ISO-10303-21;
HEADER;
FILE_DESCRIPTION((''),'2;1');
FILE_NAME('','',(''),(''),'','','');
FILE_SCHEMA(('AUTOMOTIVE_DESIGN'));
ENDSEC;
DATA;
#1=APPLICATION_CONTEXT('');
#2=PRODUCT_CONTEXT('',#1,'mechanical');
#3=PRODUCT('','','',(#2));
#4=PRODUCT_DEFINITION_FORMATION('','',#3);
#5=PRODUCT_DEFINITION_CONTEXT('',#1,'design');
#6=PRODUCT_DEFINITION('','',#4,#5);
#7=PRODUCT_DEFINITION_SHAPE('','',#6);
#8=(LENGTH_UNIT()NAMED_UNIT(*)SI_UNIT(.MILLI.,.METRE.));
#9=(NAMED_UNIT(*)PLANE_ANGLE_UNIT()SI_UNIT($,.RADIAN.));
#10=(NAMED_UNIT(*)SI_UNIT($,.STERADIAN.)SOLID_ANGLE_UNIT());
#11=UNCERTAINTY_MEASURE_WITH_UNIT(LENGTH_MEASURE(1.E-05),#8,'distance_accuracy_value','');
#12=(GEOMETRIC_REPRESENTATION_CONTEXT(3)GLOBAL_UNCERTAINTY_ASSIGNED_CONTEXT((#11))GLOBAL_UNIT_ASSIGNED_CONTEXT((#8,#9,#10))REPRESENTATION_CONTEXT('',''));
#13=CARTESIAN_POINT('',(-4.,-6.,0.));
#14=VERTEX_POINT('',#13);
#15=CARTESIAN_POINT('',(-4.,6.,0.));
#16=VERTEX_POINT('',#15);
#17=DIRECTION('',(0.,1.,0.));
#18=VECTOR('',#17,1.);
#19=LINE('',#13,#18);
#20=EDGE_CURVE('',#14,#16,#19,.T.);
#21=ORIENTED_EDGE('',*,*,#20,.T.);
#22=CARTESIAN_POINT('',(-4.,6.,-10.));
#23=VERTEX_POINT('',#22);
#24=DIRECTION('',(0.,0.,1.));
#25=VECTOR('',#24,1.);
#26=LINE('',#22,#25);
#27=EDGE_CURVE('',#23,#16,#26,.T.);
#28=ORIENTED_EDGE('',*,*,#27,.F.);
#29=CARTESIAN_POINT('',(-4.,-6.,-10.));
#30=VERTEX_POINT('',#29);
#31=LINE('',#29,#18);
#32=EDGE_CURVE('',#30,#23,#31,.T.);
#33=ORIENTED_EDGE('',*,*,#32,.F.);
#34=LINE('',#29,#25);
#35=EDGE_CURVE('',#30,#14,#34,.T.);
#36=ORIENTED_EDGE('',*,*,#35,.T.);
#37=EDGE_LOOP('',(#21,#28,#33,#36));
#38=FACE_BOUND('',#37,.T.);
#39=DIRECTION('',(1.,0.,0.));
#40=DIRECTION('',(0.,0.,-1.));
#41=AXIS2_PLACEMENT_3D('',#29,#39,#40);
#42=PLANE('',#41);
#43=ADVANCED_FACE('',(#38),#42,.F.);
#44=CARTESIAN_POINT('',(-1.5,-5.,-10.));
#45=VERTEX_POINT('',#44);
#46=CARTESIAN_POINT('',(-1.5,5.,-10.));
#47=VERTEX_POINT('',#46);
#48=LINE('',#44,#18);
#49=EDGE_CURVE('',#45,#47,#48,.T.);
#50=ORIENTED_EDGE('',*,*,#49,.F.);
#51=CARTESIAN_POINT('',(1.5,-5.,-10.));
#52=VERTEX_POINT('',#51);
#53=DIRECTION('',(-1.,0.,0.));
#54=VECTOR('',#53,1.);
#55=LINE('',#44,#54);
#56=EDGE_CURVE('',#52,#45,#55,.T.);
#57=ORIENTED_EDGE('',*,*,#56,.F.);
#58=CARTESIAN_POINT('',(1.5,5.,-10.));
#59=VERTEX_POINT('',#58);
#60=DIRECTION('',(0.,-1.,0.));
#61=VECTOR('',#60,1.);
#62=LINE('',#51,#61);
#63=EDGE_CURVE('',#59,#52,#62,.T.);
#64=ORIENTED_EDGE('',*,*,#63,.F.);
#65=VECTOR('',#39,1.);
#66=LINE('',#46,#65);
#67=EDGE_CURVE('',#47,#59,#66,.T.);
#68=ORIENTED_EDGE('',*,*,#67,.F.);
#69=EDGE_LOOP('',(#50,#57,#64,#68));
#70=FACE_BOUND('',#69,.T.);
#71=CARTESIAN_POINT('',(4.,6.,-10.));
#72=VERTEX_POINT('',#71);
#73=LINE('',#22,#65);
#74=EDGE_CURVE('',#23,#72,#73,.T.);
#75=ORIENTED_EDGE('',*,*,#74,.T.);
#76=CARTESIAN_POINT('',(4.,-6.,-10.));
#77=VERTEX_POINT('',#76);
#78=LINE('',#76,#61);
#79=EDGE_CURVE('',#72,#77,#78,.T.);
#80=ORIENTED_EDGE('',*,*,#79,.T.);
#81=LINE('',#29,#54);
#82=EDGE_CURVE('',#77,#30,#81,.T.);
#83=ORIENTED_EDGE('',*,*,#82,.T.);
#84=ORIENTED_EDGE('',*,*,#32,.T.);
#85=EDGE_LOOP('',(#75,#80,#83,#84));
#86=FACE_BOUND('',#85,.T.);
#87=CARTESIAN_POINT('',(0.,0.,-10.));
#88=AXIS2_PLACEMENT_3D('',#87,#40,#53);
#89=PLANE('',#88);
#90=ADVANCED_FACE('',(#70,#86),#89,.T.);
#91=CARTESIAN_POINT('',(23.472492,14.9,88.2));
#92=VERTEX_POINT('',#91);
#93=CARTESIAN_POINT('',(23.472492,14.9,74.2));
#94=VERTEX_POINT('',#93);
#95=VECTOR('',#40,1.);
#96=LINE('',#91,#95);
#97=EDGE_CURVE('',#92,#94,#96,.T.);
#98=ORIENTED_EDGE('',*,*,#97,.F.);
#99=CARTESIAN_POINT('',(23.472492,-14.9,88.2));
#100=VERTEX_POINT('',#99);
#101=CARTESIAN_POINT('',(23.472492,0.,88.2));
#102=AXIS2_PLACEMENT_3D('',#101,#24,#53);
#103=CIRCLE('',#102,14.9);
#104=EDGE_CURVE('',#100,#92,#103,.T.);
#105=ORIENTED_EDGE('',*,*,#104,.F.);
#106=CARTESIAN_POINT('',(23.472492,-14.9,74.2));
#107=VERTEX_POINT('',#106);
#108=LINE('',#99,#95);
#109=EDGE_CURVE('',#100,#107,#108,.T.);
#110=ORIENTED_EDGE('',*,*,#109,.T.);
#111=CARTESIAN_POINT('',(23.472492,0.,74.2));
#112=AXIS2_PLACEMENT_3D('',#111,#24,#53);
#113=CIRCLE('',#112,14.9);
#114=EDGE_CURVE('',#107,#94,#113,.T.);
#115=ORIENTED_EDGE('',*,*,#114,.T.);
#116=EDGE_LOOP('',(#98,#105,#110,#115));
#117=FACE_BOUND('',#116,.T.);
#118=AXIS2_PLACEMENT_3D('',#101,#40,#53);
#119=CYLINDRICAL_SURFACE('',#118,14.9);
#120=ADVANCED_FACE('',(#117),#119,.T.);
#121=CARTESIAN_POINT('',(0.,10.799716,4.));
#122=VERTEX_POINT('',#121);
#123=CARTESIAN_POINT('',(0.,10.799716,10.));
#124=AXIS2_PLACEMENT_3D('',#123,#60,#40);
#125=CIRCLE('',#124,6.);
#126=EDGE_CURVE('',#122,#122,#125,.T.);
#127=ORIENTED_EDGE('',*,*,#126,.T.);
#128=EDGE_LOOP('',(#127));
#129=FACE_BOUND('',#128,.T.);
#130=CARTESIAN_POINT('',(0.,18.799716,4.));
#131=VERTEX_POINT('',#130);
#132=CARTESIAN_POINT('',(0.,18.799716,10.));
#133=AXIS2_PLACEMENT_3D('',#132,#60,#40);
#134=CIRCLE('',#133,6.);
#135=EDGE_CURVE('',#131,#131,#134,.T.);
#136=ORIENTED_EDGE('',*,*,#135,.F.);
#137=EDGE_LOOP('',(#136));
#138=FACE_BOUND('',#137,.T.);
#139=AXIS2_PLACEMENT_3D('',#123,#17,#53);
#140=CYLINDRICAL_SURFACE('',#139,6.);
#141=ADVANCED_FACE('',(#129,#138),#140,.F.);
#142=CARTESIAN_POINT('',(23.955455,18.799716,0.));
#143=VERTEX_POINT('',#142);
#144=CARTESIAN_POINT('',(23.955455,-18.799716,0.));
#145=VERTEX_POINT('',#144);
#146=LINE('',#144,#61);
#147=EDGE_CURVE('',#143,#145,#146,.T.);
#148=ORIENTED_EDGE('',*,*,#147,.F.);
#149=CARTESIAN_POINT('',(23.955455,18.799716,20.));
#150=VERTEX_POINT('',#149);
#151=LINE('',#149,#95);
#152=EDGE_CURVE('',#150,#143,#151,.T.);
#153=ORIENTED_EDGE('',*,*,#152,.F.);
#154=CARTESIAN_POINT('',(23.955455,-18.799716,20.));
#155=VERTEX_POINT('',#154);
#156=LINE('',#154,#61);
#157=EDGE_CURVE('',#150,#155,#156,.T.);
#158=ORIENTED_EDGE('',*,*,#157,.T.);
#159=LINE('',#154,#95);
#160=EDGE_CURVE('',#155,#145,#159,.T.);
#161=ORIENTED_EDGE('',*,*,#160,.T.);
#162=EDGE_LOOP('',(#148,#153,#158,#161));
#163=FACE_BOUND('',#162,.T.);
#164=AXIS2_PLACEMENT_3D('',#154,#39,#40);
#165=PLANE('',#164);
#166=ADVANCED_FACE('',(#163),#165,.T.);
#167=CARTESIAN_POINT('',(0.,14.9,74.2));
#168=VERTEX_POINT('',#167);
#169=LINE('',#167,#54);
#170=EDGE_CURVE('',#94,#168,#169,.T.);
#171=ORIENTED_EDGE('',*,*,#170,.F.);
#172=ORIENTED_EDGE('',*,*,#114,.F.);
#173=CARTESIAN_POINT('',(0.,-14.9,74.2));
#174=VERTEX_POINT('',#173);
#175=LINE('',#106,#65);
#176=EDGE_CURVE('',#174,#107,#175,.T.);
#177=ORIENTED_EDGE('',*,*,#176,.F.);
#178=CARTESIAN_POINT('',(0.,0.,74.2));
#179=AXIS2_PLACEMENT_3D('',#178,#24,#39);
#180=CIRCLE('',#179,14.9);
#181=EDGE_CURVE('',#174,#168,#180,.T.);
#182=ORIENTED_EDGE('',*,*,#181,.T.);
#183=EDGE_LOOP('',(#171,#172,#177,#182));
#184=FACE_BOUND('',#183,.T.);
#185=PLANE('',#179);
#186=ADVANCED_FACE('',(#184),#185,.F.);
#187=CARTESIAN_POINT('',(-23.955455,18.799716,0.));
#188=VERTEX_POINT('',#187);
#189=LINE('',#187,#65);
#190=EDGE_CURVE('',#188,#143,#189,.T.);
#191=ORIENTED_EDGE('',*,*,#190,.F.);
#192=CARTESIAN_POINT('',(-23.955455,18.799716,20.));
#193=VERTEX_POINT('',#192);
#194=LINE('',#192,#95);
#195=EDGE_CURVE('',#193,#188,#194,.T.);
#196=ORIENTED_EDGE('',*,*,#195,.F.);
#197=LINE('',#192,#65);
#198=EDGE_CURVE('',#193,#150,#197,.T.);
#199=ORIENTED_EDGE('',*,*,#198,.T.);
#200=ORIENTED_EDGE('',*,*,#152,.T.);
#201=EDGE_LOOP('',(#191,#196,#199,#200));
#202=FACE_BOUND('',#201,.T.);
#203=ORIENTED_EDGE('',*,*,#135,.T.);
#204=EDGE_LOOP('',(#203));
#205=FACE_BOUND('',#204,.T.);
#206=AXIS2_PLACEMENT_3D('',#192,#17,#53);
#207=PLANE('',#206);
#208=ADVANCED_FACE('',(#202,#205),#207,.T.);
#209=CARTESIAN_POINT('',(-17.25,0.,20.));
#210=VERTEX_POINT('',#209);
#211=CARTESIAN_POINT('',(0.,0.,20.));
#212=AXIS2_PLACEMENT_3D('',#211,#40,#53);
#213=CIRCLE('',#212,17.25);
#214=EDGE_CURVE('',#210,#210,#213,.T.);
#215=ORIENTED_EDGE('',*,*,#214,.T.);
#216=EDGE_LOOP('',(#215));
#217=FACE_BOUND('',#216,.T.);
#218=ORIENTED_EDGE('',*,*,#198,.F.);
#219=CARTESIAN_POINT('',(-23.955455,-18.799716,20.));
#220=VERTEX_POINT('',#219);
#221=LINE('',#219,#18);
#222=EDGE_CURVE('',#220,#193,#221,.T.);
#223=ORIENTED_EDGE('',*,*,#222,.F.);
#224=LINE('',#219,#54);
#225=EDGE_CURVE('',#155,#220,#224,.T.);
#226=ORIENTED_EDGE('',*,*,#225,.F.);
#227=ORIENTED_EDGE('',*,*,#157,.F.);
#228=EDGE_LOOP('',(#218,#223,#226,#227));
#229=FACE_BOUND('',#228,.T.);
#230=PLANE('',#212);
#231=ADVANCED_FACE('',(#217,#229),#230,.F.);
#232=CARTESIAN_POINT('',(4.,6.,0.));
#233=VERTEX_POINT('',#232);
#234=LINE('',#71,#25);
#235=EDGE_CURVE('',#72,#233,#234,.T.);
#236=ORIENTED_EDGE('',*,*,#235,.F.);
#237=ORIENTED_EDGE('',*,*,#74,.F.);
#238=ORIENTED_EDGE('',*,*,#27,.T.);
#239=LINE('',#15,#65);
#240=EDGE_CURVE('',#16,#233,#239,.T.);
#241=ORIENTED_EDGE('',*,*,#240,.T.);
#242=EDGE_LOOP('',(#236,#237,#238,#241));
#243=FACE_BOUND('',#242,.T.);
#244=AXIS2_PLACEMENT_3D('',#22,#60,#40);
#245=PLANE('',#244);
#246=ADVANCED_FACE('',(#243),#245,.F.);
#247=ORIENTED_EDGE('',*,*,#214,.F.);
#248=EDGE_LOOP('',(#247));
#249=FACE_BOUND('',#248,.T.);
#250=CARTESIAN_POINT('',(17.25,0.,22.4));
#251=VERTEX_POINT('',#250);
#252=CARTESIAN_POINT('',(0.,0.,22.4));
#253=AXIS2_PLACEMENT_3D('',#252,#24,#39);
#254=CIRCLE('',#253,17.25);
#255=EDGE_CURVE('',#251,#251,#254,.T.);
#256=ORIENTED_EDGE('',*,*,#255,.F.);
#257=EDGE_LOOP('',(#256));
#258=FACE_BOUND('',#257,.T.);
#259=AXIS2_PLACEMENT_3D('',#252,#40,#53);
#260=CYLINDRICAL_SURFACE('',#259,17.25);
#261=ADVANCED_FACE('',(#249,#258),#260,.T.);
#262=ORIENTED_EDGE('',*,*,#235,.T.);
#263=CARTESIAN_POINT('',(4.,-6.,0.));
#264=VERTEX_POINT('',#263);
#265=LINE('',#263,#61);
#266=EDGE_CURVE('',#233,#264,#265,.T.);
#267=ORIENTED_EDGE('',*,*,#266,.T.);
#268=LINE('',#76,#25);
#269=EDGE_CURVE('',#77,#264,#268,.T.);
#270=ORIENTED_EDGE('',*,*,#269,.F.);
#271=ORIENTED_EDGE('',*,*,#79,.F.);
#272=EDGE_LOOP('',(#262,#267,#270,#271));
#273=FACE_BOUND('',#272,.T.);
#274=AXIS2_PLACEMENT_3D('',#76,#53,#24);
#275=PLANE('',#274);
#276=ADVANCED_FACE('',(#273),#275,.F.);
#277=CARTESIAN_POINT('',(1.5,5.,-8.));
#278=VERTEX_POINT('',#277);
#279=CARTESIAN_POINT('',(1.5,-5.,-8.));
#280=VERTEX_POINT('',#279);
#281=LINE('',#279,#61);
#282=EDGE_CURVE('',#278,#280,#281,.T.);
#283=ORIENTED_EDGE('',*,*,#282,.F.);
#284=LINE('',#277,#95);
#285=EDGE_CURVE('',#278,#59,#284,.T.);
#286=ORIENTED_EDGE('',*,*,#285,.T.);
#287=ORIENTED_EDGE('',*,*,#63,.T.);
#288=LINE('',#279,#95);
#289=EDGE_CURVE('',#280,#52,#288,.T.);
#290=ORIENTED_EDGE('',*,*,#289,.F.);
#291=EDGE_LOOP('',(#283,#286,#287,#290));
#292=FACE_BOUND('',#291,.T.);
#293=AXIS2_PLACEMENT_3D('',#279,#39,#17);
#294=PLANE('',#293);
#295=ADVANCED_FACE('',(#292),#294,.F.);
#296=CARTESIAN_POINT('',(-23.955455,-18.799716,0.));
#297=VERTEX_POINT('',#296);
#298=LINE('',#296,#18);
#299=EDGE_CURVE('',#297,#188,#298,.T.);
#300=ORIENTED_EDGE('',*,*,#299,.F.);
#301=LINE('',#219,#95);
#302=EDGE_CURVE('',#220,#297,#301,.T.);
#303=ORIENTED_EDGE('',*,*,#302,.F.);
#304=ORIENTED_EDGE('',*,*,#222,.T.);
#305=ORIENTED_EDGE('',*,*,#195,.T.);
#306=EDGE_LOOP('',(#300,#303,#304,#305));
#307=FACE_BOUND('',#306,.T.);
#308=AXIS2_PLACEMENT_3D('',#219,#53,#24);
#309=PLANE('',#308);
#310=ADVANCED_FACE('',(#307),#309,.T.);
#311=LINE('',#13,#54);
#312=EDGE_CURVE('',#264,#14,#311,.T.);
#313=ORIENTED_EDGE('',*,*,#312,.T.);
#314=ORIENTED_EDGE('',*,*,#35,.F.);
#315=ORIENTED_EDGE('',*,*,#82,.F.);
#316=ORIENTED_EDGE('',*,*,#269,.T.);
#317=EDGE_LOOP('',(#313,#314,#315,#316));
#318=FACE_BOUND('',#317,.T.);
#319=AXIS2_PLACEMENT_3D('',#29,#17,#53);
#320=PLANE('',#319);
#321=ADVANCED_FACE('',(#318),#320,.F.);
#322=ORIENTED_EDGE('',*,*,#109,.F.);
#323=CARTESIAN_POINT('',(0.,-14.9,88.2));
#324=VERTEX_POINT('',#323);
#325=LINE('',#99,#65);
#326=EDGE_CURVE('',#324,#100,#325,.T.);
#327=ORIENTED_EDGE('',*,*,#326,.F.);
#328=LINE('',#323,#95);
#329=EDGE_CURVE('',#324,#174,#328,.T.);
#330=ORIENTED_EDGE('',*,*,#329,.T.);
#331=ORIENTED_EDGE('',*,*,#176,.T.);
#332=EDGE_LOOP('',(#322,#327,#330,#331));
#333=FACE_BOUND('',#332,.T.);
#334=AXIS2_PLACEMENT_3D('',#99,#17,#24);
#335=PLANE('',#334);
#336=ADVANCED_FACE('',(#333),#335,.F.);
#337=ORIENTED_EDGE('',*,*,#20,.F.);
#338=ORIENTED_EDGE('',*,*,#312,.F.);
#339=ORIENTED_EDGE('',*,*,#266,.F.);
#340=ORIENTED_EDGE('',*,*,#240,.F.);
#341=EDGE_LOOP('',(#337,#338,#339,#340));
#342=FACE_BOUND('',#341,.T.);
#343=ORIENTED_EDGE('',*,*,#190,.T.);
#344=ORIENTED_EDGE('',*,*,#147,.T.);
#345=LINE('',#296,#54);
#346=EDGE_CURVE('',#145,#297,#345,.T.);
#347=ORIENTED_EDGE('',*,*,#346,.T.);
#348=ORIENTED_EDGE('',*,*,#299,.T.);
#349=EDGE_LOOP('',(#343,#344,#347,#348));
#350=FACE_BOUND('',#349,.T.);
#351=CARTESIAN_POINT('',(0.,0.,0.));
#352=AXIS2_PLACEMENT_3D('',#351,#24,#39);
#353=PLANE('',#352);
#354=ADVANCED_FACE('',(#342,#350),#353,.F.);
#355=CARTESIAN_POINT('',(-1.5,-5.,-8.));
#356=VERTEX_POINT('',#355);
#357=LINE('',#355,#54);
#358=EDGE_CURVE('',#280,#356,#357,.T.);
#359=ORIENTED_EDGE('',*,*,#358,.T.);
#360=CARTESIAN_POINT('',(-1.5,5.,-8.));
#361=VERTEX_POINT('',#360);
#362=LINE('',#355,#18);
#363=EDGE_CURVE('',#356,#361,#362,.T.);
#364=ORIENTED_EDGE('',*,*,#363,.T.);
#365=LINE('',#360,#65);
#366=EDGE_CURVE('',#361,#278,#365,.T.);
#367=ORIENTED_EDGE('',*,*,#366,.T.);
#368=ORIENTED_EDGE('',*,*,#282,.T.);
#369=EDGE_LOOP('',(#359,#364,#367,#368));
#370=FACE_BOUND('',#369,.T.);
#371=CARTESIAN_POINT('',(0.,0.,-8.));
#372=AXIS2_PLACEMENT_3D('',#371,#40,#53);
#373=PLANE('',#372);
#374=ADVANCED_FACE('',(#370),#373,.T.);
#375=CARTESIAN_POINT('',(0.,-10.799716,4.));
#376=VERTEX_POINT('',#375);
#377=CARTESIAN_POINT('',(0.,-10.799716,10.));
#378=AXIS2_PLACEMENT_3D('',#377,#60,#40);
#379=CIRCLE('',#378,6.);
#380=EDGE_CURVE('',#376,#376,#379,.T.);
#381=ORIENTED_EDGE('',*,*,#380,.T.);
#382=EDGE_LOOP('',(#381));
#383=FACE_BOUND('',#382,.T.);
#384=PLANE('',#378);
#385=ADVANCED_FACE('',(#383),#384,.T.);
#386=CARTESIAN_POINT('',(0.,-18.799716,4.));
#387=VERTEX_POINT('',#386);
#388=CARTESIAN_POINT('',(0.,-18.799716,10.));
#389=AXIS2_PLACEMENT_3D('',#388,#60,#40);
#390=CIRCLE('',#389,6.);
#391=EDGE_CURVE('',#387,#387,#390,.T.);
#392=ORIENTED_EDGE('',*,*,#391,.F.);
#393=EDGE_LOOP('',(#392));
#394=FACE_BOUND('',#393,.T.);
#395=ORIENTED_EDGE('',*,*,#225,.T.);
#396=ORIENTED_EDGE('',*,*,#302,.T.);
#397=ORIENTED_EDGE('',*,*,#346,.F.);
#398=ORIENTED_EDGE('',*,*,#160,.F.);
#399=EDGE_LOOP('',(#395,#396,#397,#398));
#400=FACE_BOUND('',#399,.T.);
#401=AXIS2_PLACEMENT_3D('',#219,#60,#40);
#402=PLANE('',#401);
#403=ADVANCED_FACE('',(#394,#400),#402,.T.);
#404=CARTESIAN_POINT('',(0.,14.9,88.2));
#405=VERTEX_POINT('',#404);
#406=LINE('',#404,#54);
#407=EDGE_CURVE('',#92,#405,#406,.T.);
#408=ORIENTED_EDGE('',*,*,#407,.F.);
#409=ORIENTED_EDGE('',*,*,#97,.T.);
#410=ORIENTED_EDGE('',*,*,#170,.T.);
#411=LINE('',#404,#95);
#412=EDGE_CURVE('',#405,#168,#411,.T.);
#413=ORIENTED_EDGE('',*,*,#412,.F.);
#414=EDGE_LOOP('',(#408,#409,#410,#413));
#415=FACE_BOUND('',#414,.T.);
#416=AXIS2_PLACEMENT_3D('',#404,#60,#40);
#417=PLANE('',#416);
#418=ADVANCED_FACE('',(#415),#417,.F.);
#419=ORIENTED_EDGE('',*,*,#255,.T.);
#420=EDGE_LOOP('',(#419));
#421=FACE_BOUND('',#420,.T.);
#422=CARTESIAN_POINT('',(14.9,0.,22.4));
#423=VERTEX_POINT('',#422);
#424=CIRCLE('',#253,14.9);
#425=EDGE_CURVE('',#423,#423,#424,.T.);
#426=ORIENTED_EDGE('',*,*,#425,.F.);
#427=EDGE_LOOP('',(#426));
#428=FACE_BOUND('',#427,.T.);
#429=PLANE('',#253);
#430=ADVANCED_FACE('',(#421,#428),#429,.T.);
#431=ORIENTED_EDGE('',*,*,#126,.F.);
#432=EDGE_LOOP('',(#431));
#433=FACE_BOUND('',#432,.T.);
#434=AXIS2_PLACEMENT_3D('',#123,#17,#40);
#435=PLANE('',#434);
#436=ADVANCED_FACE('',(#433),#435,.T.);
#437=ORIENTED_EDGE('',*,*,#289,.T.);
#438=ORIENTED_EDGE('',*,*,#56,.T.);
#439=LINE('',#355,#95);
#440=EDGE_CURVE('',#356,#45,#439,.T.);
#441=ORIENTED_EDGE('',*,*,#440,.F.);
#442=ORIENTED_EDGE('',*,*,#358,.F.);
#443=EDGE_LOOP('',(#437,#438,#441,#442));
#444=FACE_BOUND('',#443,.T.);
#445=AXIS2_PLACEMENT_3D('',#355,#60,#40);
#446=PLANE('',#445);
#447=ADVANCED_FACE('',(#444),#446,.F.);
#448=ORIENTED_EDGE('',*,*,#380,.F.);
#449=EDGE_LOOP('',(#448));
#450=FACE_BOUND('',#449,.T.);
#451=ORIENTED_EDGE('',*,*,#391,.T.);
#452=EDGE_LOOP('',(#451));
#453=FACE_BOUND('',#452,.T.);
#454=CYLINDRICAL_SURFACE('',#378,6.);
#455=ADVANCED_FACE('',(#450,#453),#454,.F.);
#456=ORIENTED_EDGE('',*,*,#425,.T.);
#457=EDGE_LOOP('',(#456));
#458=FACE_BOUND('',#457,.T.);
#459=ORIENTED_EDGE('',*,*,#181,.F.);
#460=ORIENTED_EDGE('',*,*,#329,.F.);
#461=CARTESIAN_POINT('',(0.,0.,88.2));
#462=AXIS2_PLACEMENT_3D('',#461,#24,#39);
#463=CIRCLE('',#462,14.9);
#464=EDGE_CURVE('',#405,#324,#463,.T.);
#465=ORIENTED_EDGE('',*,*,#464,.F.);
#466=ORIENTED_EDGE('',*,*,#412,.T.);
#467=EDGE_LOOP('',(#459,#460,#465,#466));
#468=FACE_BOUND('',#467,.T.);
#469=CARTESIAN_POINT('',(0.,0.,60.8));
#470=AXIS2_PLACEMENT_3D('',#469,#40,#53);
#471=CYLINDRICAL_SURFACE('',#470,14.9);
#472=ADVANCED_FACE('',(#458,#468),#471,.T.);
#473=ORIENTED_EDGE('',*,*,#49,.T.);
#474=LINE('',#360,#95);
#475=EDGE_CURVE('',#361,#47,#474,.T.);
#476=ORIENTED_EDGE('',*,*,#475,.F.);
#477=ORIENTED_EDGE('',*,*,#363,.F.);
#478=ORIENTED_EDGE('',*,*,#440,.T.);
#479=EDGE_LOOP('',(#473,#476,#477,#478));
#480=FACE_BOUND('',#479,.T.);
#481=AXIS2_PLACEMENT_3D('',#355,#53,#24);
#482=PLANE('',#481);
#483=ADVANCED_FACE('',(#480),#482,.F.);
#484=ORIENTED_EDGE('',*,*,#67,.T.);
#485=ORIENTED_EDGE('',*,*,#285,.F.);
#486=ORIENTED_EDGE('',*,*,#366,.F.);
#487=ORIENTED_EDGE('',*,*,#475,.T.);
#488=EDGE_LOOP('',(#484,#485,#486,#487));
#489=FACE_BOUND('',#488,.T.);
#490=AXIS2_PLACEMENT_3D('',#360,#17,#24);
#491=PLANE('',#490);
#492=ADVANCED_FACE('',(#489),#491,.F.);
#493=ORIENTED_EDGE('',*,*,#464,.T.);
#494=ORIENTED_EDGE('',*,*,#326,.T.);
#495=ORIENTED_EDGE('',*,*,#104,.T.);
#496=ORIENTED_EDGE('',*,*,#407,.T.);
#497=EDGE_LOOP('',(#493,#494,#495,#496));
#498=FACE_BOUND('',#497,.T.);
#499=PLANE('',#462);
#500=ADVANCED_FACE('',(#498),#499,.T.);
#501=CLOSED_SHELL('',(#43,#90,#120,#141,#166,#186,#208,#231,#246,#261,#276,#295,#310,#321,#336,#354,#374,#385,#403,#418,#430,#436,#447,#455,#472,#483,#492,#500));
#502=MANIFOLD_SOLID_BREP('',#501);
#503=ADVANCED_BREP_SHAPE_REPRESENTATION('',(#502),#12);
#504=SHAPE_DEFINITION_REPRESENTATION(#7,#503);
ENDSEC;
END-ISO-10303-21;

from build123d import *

# Parameters (mm, degrees)
SKETCH2_R           = 17.25
BOSS_EXTRUDE1_DEPTH = 22.4
SKETCH3_R           = 14.9
BOSS_EXTRUDE2_DEPTH = 38.4
SKETCH4_R           = 14.9
BOSS_EXTRUDE3_DEPTH = 13.4
BOSS_EXTRUDE4_DEPTH = 14
SKETCH7_W           = 8
SKETCH7_H           = 12
BOSS_EXTRUDE5_DEPTH = 10
SKETCH9_W           = 3
SKETCH9_H           = 10
CUT_EXTRUDE1_DEPTH  = 2
SKETCH10_W          = 47.910910278
SKETCH10_H          = 37.599432614
BOSS_EXTRUDE6_DEPTH = 20
SKETCH12_R          = 6
CUT_EXTRUDE2_DEPTH  = 8


with BuildPart() as part:
    # Sketch2 → Boss-Extrude1 (new body)
    with BuildSketch(Plane.XY):
        Circle(SKETCH2_R)
    extrude(amount=BOSS_EXTRUDE1_DEPTH)

    # Sketch3 → Boss-Extrude2 (add)
    with BuildSketch(Plane.XY.offset(22.4)):
        Circle(SKETCH3_R)
    extrude(amount=BOSS_EXTRUDE2_DEPTH)

    # Sketch4 → Boss-Extrude3 (add)
    with BuildSketch(Plane.XY.offset(60.8)):
        Circle(SKETCH4_R)
    extrude(amount=BOSS_EXTRUDE3_DEPTH)

    # Sketch6 → Boss-Extrude4 (add)
    with BuildSketch(Plane.XY.offset(74.2)):
        with BuildLine():
            Line((0, 14.9), (23.472492354, 14.9))
            ThreePointArc((23.472492354, 14.9), (38.372492354, 0), (23.472492354, -14.9))
            Line((23.472492354, -14.9), (0, -14.9))
            ThreePointArc((0, -14.9), (-14.9, 0), (0, 14.9))
        make_face()
    extrude(amount=BOSS_EXTRUDE4_DEPTH)

    # Sketch7 → Boss-Extrude5 (add)
    with BuildSketch(Plane(origin=(0, 0, 0), x_dir=(-1, 0, 0), z_dir=(0, 0, -1))):
        Rectangle(SKETCH7_W, SKETCH7_H)
    extrude(amount=BOSS_EXTRUDE5_DEPTH)

    # Sketch9 → Cut-Extrude1 (cut)
    with BuildSketch(Plane(origin=(0, 0, -10), x_dir=(-1, 0, 0), z_dir=(0, 0, -1))):
        Rectangle(SKETCH9_W, SKETCH9_H)
    extrude(amount=-CUT_EXTRUDE1_DEPTH, mode=Mode.SUBTRACT)

    # Sketch10 → Boss-Extrude6 (add)
    with BuildSketch(Plane(origin=(0, 0, 0), x_dir=(-1, 0, 0), z_dir=(0, 0, -1))):
        Rectangle(SKETCH10_W, SKETCH10_H)
    extrude(amount=-BOSS_EXTRUDE6_DEPTH)

    # Sketch12 → Cut-Extrude2 (cut)
    with BuildSketch(Plane.XZ.offset(18.799716307)):
        with Locations(Location((0, 10, 0), (0, 0, 270))):
            Circle(SKETCH12_R)
    cut_extrude2 = extrude(amount=-CUT_EXTRUDE2_DEPTH, mode=Mode.SUBTRACT)

    # Mirror1: Cut-Extrude2 across plane
    add(cut_extrude2.mirror(Plane(origin=(0, 0, 0), x_dir=(0, 0, 1), z_dir=(0, -1, 0))), mode=Mode.SUBTRACT)


solid = part.part
